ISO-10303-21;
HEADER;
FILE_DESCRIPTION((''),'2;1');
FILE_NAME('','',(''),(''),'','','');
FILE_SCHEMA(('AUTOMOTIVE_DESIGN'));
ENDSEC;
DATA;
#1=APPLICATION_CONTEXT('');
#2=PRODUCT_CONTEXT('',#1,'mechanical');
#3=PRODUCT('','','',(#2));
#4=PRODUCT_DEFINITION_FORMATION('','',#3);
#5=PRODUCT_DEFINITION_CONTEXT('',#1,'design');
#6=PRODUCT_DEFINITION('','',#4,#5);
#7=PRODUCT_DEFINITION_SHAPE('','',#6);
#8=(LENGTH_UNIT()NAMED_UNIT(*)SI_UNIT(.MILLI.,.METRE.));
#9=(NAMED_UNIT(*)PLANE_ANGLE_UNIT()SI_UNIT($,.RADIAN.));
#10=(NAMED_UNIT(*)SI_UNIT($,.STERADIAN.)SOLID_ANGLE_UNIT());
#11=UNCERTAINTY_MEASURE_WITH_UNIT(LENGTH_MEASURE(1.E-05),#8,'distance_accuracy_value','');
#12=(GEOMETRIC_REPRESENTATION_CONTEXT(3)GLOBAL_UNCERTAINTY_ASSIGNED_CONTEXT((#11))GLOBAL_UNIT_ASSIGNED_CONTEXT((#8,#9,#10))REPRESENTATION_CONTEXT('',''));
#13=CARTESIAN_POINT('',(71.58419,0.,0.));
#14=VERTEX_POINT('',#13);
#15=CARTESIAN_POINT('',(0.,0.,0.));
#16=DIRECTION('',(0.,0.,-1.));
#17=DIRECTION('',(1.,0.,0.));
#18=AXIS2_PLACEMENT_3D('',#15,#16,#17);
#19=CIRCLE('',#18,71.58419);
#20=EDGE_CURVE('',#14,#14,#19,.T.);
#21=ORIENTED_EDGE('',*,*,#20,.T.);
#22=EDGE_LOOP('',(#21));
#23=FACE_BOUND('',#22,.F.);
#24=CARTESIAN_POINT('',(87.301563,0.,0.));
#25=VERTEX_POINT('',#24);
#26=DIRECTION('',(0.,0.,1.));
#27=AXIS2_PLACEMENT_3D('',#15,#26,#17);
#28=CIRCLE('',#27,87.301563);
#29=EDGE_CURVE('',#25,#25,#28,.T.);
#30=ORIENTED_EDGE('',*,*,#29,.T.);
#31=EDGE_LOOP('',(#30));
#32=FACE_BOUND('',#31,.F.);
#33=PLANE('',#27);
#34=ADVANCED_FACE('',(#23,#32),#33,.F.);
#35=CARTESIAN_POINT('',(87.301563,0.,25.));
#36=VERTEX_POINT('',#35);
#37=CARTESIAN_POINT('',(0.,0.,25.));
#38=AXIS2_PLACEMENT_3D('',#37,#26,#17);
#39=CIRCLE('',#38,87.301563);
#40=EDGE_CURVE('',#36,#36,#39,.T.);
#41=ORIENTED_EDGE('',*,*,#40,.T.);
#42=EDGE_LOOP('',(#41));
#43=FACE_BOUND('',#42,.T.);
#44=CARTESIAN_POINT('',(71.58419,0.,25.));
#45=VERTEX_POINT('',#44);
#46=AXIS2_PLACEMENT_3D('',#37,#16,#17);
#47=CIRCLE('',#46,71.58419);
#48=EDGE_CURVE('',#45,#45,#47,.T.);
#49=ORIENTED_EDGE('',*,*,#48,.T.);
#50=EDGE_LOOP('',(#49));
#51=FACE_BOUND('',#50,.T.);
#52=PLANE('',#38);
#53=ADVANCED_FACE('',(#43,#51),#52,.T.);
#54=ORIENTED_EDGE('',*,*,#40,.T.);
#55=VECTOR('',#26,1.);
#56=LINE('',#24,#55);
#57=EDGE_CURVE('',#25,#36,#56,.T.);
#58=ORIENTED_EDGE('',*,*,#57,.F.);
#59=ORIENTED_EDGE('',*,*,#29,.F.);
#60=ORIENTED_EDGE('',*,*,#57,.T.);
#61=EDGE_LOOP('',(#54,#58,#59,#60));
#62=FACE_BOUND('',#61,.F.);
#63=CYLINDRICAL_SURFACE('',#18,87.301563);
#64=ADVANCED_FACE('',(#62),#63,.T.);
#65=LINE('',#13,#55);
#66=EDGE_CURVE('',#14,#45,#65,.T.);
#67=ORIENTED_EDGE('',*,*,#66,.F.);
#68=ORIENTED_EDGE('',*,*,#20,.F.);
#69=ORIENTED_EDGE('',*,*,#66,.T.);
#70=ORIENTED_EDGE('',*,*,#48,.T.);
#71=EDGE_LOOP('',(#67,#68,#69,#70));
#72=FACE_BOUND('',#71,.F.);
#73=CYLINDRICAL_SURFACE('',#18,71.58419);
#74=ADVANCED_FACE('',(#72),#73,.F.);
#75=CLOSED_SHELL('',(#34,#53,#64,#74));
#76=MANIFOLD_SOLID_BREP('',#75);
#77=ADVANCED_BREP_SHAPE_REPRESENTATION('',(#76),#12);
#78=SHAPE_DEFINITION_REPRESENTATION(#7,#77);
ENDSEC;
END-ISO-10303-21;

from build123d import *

# Parameters (mm, degrees)
F0_R     = 87.301563
F1_DEPTH = 25
F2_R     = 71.58419
F3_DEPTH = 25


with BuildPart() as f1:
    # F0 (on Top) → F1 (new body)
    with BuildSketch(Plane.XY):
        Circle(F0_R)
    extrude(amount=F1_DEPTH)

    # F2 (on face) → F3 (cut)
    with BuildSketch(Plane(origin=(0, 0, 0), x_dir=(1, 0, 0), z_dir=(0, 0, -1))):
        Circle(F2_R)
    extrude(amount=-F3_DEPTH, mode=Mode.SUBTRACT)


solid = f1.part
